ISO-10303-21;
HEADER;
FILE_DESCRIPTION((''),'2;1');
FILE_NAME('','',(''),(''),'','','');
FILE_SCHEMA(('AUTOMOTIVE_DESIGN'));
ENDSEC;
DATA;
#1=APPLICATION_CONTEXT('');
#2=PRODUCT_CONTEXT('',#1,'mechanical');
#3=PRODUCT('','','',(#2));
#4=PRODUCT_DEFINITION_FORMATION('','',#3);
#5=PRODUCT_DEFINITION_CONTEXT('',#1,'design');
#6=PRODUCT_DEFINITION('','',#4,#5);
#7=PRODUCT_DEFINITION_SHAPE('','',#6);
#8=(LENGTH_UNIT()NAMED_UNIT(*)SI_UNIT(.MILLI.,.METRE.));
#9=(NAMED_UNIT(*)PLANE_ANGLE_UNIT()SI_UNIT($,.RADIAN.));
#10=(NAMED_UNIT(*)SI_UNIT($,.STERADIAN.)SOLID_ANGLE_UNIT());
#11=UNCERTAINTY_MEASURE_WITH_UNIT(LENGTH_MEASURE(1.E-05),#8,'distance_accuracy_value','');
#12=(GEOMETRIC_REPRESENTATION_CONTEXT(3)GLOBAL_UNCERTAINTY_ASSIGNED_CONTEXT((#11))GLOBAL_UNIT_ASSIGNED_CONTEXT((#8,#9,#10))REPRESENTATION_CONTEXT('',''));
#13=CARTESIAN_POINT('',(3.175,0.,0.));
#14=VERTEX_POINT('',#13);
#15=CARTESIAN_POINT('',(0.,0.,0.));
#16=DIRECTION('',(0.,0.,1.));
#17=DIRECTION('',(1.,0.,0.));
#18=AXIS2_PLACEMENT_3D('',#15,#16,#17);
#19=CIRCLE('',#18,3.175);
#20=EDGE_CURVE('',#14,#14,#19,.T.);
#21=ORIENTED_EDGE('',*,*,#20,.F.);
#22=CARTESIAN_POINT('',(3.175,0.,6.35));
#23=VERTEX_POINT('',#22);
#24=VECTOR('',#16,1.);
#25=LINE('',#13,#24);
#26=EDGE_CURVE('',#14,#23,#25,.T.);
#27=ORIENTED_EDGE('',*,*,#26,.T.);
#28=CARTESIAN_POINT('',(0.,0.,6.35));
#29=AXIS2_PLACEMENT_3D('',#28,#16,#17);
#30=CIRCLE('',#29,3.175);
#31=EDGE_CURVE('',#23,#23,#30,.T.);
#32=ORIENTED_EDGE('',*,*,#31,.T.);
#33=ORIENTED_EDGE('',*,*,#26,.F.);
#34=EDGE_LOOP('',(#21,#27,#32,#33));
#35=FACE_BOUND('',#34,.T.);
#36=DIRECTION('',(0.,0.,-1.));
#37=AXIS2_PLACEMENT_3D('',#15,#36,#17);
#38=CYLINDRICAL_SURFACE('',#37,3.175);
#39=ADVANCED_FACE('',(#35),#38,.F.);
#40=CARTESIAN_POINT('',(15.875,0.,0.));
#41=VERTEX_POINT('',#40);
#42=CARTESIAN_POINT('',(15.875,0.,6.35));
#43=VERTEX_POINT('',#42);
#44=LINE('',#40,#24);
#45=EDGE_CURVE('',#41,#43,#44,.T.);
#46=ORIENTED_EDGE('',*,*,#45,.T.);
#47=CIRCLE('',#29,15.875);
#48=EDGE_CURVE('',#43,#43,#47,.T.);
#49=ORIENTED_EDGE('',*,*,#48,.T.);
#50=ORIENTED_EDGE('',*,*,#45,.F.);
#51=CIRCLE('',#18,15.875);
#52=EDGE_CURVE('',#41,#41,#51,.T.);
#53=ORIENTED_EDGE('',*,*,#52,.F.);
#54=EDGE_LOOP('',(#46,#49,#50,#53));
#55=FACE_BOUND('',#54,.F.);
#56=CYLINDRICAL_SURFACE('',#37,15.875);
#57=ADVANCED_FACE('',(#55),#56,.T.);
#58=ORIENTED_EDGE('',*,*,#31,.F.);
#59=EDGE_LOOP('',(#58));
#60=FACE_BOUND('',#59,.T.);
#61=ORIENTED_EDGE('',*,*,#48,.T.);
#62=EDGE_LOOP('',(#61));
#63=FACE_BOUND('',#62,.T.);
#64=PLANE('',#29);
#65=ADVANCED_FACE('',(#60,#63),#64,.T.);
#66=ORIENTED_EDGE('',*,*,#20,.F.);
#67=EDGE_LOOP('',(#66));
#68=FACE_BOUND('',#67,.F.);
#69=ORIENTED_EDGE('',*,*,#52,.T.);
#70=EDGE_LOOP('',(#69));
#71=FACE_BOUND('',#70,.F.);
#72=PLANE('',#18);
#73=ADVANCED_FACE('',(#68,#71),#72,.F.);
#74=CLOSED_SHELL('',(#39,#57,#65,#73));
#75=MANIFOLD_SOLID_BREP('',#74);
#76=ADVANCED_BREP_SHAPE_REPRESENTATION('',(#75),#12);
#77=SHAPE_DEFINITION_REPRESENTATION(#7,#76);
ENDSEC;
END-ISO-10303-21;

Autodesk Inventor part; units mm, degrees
ref_plane "YZ Plane" through (0, 0, 0) normal (1, 0, 0) x (0, 1, 0)
ref_plane "XZ Plane" through (0, 0, 0) normal (0, 1, 0) x (-1, 0, 0)
ref_plane "XY Plane" through (0, 0, 0) normal (0, 0, 1) x (1, 0, 0)
sketch "Sketch1" plane through (0, 0, 0) normal (0, 0, 1) x (1, 0, 0)
  circle A0 centre (0, 0) radius 15.875
  circle A1 centre (0, 0) radius 3.175 projected
  dimension "d0" = 31.75
extrude "Extrusion1" add sketch "Sketch1" along normal blind 6.35
properties part number "shaftEndPlate"
